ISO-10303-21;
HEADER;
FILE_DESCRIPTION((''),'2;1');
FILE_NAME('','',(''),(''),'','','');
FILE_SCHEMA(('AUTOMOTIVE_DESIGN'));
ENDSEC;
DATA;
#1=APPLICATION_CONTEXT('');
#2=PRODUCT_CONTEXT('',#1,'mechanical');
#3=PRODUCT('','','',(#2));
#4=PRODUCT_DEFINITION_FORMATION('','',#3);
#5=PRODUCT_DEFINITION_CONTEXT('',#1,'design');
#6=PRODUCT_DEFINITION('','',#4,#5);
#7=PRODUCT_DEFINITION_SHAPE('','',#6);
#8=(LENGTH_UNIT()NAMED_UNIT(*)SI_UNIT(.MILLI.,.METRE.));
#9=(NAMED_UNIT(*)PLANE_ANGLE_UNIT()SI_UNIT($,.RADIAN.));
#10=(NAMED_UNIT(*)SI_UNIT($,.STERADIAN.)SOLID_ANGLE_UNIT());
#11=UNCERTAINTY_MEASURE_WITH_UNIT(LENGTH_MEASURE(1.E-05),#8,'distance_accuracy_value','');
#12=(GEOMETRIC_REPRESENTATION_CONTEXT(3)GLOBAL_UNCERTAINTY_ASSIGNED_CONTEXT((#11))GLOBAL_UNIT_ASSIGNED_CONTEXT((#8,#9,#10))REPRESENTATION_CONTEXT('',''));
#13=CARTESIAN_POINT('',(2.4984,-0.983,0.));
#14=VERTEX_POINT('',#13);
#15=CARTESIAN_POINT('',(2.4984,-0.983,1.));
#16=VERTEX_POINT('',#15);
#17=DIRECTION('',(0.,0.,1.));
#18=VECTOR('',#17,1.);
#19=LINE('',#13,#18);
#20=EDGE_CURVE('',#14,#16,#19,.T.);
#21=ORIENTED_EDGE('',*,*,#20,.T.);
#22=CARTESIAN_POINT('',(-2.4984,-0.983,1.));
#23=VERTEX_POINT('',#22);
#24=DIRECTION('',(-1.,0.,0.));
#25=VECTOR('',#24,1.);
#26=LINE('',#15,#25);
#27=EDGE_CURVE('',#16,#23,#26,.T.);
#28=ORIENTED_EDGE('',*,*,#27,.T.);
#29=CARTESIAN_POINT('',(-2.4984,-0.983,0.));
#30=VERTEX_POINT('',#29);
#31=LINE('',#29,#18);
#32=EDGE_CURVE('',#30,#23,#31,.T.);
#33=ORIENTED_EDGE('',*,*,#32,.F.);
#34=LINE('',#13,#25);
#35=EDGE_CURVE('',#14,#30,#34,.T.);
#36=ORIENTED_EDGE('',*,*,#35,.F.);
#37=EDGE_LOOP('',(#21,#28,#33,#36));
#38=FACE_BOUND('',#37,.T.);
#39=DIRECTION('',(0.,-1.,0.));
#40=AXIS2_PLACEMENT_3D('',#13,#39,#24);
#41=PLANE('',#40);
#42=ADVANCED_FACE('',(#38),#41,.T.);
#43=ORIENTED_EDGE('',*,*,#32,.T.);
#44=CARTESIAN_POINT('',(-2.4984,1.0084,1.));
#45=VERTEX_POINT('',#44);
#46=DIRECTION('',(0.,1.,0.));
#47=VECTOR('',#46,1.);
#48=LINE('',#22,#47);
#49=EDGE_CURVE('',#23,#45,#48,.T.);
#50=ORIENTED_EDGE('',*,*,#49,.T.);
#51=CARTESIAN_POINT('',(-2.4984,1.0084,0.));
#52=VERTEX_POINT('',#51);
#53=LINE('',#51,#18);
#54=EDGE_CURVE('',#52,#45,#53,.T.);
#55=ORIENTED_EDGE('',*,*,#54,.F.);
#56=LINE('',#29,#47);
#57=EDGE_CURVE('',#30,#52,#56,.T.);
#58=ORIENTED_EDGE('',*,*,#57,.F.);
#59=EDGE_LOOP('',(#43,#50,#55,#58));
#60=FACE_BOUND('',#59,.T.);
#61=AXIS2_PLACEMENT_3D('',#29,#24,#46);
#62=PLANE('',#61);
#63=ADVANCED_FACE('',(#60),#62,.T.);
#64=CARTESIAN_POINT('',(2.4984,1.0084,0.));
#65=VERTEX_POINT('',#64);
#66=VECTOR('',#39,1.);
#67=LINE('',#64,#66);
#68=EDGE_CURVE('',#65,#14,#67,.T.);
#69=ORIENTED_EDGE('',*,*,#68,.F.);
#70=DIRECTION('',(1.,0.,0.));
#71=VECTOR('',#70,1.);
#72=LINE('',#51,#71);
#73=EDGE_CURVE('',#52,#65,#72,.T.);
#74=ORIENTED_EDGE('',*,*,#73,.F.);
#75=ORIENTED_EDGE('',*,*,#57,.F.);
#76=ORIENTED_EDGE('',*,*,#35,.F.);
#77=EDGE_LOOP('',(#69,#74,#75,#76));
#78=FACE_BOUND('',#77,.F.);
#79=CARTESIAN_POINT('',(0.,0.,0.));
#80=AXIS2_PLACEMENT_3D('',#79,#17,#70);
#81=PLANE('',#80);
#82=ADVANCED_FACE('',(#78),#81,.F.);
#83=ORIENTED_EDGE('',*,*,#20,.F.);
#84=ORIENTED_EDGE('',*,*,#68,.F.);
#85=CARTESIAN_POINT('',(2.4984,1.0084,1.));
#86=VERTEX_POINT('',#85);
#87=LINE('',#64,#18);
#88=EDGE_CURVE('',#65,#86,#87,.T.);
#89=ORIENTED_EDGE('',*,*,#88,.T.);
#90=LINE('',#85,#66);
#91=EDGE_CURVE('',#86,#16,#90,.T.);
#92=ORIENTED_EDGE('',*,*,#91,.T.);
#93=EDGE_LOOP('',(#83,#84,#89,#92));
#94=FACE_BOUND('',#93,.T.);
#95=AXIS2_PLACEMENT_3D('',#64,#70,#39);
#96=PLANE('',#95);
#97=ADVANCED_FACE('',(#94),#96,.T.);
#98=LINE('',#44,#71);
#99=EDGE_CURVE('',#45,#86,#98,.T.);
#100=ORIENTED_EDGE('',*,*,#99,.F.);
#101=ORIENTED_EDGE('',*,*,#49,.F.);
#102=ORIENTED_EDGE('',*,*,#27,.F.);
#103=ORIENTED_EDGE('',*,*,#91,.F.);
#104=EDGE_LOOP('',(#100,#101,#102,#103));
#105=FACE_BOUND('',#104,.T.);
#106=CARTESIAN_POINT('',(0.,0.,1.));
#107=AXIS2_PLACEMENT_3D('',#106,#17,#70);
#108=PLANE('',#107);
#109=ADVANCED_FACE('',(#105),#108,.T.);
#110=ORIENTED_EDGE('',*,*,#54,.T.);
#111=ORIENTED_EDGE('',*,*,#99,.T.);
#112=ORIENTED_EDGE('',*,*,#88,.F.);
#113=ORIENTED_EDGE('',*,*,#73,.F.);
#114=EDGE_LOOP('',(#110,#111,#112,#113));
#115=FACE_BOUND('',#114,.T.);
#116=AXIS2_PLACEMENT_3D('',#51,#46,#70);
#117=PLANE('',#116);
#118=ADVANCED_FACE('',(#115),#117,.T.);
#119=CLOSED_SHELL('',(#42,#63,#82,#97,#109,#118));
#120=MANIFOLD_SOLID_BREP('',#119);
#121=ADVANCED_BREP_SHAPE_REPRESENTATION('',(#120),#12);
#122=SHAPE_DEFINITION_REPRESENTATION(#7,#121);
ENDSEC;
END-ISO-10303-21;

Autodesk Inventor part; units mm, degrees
ref_plane "YZ Plane" through (0, 0, 0) normal (1, 0, 0) x (0, 1, 0)
ref_plane "XZ Plane" through (0, 0, 0) normal (0, 1, 0) x (-1, 0, 0)
ref_plane "XY Plane" through (0, 0, 0) normal (0, 0, 1) x (1, 0, 0)
sketch "C3216, 10U_15" plane through (0, 0, 0) normal (0, 0, 1) x (1, 0, 0)
  line L0 (-2.4984, 1.0084) -> (2.4984, 1.0084)
  line L1 (2.4984, 1.0084) -> (2.4984, -0.983)
  line L2 (2.4984, -0.983) -> (-2.4984, -0.983)
  line L3 (-2.4984, -0.983) -> (-2.4984, 1.0084)
extrude "Extrusion1" add sketch "C3216, 10U_15" along normal blind 1
properties part number "10U"
